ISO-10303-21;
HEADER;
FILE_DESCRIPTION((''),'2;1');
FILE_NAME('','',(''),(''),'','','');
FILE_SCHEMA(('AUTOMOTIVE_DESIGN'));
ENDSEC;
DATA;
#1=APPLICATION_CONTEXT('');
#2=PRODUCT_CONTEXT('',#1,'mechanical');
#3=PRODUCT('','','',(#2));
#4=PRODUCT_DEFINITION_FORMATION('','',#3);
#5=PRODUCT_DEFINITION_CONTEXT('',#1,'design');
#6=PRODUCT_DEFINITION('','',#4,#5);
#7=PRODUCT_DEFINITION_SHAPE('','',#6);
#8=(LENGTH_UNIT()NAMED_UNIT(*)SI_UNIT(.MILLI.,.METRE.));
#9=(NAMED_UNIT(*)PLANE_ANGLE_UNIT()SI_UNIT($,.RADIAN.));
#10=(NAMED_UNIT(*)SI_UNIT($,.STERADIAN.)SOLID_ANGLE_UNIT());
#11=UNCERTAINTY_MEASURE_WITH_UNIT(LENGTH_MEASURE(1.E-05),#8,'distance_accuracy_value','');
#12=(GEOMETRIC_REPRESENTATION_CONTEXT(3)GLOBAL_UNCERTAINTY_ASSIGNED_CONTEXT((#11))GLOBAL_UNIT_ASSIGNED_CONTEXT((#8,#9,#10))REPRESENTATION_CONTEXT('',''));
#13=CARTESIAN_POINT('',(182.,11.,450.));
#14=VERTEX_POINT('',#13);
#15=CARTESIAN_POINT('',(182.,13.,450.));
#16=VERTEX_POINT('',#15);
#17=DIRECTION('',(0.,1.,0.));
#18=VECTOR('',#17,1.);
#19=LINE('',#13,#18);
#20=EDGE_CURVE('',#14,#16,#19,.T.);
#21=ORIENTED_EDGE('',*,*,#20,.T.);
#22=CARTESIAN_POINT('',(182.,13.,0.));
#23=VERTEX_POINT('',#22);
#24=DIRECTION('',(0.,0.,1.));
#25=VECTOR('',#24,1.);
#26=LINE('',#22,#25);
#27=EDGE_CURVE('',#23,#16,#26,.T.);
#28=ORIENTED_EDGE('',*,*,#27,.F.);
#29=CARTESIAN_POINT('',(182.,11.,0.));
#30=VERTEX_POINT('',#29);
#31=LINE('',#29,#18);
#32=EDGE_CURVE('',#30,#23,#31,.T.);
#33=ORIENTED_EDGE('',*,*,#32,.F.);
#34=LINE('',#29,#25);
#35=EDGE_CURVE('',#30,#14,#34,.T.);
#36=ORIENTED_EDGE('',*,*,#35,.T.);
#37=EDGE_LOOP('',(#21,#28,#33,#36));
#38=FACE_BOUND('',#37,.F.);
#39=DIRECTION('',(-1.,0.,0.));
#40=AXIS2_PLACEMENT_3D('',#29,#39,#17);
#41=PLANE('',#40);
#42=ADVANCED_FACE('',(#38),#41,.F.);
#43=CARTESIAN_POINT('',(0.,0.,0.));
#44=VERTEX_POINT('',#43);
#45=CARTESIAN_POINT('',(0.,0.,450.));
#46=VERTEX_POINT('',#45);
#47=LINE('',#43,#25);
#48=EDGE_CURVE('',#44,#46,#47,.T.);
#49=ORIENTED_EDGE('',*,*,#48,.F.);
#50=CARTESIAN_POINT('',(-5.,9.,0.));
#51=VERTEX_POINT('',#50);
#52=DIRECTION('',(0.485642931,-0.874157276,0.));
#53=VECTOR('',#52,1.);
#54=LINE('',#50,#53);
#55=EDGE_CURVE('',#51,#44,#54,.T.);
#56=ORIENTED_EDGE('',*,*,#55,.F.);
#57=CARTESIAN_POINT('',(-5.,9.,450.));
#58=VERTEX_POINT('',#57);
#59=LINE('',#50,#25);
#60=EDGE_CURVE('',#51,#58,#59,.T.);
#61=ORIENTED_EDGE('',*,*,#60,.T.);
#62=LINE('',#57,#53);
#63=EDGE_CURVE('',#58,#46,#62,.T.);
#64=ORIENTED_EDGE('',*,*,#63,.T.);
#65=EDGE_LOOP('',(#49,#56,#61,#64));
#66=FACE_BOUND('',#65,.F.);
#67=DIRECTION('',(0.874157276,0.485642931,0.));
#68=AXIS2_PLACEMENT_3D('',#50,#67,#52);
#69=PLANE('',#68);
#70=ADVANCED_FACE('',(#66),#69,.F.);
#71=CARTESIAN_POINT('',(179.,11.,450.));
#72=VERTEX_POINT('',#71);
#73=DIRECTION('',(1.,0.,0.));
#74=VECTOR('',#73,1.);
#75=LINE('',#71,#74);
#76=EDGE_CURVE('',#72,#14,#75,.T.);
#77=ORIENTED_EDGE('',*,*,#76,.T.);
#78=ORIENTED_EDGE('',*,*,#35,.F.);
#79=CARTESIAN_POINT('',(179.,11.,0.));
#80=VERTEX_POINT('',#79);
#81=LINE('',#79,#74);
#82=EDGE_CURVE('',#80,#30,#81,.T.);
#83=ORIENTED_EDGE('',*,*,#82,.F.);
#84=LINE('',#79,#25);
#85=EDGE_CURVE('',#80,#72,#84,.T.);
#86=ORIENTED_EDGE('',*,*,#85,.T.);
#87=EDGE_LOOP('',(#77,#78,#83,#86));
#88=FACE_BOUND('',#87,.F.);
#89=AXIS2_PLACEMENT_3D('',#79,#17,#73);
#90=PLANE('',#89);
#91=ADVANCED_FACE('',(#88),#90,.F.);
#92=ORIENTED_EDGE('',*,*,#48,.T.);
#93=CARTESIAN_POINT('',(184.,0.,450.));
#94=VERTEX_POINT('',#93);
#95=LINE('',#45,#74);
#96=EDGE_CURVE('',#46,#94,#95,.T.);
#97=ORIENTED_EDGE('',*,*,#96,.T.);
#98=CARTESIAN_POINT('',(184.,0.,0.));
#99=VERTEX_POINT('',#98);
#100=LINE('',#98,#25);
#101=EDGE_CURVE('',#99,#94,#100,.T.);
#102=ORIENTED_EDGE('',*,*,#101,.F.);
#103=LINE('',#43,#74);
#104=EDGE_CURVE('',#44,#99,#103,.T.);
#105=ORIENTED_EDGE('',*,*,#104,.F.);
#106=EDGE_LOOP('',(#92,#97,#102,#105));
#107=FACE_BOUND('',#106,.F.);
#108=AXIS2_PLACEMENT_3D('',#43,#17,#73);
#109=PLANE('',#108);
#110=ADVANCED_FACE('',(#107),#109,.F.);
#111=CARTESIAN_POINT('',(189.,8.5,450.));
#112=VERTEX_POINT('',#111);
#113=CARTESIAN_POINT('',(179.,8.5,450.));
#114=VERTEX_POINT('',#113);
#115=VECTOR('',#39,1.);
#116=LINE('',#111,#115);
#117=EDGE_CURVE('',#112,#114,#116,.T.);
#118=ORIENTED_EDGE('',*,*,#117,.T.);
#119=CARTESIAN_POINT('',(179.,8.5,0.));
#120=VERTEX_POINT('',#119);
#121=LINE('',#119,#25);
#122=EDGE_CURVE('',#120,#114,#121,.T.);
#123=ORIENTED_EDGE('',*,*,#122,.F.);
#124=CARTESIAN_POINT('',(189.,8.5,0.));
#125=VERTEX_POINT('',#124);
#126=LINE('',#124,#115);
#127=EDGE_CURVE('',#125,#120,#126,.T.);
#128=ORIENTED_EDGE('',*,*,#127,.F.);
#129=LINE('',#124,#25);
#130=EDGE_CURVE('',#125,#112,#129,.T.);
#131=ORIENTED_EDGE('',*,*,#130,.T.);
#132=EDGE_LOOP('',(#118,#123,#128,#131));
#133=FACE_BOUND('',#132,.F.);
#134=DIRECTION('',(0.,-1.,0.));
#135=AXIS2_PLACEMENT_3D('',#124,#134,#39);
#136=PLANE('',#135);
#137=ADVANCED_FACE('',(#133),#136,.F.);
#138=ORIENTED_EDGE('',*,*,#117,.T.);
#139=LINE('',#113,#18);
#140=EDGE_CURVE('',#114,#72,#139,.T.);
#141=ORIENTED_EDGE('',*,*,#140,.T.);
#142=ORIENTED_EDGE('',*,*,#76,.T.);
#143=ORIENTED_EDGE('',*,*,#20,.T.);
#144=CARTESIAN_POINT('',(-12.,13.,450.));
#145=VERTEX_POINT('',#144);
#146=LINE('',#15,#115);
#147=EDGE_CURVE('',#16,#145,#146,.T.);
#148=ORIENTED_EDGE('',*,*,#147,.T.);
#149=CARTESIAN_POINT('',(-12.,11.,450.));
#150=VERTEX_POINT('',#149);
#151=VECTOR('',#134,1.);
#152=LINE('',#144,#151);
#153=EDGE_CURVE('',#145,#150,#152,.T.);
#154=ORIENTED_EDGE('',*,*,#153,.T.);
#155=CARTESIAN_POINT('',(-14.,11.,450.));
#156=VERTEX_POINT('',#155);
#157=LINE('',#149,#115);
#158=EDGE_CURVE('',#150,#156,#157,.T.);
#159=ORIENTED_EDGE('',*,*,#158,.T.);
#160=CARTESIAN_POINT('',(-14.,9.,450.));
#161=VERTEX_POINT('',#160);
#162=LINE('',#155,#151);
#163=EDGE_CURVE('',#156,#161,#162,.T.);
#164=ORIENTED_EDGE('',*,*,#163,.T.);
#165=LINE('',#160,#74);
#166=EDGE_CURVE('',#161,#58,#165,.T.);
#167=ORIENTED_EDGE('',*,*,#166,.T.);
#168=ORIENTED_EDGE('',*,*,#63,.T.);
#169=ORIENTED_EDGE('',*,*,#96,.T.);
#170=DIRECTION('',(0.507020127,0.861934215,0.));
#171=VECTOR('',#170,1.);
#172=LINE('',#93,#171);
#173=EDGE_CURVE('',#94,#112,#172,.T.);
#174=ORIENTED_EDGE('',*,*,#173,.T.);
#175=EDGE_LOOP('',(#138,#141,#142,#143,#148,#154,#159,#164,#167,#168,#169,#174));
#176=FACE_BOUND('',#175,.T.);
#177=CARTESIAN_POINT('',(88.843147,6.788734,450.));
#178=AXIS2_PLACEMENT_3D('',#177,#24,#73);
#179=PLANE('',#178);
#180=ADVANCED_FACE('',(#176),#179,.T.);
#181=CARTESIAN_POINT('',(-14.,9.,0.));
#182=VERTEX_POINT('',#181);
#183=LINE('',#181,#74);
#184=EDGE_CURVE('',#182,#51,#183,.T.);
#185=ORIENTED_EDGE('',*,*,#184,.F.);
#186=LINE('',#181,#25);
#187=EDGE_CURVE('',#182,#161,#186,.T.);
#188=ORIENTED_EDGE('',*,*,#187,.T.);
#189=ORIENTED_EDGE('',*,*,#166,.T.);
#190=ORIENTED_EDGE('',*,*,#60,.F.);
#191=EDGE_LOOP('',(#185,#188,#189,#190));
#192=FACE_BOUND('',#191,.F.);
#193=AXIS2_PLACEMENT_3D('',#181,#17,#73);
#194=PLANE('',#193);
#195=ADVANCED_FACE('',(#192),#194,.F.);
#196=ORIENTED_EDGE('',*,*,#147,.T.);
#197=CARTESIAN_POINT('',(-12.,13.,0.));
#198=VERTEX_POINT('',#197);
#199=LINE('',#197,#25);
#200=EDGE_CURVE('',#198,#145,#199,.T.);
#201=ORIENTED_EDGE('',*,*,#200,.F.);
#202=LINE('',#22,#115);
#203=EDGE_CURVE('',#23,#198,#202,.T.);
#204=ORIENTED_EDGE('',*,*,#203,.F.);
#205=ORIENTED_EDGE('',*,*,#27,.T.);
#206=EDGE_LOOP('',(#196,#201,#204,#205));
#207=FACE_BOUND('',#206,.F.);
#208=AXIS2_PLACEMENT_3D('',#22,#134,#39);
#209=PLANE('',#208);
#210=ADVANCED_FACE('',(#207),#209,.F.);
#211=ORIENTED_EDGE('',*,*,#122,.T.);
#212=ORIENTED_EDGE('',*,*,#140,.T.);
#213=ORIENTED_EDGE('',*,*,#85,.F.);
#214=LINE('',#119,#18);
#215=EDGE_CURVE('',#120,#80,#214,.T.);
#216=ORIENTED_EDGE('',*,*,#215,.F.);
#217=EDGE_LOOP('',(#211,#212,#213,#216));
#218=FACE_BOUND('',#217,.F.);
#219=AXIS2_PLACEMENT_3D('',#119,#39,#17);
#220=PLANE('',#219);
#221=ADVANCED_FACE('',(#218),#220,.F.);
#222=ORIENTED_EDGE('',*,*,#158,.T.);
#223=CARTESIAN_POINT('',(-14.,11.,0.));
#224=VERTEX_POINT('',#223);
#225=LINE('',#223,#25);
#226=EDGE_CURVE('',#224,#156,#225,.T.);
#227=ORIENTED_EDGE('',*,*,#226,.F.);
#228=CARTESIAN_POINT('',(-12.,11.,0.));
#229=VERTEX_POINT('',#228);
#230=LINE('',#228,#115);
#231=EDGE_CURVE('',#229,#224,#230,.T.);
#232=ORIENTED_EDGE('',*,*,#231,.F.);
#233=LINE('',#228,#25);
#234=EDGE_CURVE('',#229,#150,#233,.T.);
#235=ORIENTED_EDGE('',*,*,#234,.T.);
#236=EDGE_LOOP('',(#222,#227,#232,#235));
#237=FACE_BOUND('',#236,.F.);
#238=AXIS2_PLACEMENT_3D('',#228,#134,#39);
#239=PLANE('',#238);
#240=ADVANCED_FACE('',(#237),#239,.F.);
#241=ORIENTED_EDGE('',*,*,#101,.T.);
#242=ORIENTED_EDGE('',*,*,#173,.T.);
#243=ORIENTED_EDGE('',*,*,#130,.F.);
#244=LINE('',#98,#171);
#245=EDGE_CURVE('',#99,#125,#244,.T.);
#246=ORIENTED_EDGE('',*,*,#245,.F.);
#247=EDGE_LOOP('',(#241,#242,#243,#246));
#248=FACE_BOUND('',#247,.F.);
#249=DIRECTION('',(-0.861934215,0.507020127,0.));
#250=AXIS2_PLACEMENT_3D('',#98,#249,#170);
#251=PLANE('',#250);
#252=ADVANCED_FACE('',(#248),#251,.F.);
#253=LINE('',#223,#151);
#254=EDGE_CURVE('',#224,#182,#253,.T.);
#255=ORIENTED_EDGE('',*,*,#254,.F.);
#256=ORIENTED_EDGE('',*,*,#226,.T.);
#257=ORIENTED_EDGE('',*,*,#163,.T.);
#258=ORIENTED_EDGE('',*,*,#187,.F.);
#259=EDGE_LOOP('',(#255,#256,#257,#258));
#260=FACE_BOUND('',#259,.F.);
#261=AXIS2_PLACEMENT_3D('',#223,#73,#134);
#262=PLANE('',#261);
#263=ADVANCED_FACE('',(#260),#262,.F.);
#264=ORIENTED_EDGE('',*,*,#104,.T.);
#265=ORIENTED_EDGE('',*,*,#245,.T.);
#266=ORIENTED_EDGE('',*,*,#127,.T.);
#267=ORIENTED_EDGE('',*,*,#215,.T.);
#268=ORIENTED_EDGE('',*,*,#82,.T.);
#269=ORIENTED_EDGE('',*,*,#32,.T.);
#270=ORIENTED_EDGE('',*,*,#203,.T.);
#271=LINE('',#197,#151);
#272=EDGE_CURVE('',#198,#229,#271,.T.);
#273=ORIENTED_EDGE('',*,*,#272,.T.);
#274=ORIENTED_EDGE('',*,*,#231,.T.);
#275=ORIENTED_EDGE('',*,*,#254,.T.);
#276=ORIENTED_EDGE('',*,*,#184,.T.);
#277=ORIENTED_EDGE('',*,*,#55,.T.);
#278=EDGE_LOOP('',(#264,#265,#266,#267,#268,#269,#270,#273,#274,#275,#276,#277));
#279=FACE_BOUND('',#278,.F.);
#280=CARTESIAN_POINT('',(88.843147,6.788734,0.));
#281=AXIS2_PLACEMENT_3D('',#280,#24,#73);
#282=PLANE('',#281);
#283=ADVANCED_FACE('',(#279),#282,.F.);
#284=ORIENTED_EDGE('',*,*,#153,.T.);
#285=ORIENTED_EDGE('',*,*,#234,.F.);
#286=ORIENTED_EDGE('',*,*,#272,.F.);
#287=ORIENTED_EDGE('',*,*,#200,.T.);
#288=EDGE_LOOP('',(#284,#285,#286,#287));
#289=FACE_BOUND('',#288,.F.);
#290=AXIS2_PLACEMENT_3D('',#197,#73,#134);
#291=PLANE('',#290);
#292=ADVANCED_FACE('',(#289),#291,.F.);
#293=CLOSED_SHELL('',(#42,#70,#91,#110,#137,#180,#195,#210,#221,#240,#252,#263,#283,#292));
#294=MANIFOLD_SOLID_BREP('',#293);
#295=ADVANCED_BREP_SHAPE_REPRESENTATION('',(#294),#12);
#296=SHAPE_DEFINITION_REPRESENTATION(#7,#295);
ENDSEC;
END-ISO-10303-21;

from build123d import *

# Parameters (mm, degrees)
PAD_DEPTH = 450


with BuildPart() as part:
    # Sketch → Pad (new body)
    with BuildSketch(Plane.XY):
        Polygon((0, 0), (184, 0), (189, 8.5), (184, 8.5), (179, 8.5), (179, 11), (182, 11), (182, 13), (-12, 13), (-12, 11), (-14, 11), (-14, 9), (-5, 9), align=None)
    extrude(amount=PAD_DEPTH)


solid = part.part
